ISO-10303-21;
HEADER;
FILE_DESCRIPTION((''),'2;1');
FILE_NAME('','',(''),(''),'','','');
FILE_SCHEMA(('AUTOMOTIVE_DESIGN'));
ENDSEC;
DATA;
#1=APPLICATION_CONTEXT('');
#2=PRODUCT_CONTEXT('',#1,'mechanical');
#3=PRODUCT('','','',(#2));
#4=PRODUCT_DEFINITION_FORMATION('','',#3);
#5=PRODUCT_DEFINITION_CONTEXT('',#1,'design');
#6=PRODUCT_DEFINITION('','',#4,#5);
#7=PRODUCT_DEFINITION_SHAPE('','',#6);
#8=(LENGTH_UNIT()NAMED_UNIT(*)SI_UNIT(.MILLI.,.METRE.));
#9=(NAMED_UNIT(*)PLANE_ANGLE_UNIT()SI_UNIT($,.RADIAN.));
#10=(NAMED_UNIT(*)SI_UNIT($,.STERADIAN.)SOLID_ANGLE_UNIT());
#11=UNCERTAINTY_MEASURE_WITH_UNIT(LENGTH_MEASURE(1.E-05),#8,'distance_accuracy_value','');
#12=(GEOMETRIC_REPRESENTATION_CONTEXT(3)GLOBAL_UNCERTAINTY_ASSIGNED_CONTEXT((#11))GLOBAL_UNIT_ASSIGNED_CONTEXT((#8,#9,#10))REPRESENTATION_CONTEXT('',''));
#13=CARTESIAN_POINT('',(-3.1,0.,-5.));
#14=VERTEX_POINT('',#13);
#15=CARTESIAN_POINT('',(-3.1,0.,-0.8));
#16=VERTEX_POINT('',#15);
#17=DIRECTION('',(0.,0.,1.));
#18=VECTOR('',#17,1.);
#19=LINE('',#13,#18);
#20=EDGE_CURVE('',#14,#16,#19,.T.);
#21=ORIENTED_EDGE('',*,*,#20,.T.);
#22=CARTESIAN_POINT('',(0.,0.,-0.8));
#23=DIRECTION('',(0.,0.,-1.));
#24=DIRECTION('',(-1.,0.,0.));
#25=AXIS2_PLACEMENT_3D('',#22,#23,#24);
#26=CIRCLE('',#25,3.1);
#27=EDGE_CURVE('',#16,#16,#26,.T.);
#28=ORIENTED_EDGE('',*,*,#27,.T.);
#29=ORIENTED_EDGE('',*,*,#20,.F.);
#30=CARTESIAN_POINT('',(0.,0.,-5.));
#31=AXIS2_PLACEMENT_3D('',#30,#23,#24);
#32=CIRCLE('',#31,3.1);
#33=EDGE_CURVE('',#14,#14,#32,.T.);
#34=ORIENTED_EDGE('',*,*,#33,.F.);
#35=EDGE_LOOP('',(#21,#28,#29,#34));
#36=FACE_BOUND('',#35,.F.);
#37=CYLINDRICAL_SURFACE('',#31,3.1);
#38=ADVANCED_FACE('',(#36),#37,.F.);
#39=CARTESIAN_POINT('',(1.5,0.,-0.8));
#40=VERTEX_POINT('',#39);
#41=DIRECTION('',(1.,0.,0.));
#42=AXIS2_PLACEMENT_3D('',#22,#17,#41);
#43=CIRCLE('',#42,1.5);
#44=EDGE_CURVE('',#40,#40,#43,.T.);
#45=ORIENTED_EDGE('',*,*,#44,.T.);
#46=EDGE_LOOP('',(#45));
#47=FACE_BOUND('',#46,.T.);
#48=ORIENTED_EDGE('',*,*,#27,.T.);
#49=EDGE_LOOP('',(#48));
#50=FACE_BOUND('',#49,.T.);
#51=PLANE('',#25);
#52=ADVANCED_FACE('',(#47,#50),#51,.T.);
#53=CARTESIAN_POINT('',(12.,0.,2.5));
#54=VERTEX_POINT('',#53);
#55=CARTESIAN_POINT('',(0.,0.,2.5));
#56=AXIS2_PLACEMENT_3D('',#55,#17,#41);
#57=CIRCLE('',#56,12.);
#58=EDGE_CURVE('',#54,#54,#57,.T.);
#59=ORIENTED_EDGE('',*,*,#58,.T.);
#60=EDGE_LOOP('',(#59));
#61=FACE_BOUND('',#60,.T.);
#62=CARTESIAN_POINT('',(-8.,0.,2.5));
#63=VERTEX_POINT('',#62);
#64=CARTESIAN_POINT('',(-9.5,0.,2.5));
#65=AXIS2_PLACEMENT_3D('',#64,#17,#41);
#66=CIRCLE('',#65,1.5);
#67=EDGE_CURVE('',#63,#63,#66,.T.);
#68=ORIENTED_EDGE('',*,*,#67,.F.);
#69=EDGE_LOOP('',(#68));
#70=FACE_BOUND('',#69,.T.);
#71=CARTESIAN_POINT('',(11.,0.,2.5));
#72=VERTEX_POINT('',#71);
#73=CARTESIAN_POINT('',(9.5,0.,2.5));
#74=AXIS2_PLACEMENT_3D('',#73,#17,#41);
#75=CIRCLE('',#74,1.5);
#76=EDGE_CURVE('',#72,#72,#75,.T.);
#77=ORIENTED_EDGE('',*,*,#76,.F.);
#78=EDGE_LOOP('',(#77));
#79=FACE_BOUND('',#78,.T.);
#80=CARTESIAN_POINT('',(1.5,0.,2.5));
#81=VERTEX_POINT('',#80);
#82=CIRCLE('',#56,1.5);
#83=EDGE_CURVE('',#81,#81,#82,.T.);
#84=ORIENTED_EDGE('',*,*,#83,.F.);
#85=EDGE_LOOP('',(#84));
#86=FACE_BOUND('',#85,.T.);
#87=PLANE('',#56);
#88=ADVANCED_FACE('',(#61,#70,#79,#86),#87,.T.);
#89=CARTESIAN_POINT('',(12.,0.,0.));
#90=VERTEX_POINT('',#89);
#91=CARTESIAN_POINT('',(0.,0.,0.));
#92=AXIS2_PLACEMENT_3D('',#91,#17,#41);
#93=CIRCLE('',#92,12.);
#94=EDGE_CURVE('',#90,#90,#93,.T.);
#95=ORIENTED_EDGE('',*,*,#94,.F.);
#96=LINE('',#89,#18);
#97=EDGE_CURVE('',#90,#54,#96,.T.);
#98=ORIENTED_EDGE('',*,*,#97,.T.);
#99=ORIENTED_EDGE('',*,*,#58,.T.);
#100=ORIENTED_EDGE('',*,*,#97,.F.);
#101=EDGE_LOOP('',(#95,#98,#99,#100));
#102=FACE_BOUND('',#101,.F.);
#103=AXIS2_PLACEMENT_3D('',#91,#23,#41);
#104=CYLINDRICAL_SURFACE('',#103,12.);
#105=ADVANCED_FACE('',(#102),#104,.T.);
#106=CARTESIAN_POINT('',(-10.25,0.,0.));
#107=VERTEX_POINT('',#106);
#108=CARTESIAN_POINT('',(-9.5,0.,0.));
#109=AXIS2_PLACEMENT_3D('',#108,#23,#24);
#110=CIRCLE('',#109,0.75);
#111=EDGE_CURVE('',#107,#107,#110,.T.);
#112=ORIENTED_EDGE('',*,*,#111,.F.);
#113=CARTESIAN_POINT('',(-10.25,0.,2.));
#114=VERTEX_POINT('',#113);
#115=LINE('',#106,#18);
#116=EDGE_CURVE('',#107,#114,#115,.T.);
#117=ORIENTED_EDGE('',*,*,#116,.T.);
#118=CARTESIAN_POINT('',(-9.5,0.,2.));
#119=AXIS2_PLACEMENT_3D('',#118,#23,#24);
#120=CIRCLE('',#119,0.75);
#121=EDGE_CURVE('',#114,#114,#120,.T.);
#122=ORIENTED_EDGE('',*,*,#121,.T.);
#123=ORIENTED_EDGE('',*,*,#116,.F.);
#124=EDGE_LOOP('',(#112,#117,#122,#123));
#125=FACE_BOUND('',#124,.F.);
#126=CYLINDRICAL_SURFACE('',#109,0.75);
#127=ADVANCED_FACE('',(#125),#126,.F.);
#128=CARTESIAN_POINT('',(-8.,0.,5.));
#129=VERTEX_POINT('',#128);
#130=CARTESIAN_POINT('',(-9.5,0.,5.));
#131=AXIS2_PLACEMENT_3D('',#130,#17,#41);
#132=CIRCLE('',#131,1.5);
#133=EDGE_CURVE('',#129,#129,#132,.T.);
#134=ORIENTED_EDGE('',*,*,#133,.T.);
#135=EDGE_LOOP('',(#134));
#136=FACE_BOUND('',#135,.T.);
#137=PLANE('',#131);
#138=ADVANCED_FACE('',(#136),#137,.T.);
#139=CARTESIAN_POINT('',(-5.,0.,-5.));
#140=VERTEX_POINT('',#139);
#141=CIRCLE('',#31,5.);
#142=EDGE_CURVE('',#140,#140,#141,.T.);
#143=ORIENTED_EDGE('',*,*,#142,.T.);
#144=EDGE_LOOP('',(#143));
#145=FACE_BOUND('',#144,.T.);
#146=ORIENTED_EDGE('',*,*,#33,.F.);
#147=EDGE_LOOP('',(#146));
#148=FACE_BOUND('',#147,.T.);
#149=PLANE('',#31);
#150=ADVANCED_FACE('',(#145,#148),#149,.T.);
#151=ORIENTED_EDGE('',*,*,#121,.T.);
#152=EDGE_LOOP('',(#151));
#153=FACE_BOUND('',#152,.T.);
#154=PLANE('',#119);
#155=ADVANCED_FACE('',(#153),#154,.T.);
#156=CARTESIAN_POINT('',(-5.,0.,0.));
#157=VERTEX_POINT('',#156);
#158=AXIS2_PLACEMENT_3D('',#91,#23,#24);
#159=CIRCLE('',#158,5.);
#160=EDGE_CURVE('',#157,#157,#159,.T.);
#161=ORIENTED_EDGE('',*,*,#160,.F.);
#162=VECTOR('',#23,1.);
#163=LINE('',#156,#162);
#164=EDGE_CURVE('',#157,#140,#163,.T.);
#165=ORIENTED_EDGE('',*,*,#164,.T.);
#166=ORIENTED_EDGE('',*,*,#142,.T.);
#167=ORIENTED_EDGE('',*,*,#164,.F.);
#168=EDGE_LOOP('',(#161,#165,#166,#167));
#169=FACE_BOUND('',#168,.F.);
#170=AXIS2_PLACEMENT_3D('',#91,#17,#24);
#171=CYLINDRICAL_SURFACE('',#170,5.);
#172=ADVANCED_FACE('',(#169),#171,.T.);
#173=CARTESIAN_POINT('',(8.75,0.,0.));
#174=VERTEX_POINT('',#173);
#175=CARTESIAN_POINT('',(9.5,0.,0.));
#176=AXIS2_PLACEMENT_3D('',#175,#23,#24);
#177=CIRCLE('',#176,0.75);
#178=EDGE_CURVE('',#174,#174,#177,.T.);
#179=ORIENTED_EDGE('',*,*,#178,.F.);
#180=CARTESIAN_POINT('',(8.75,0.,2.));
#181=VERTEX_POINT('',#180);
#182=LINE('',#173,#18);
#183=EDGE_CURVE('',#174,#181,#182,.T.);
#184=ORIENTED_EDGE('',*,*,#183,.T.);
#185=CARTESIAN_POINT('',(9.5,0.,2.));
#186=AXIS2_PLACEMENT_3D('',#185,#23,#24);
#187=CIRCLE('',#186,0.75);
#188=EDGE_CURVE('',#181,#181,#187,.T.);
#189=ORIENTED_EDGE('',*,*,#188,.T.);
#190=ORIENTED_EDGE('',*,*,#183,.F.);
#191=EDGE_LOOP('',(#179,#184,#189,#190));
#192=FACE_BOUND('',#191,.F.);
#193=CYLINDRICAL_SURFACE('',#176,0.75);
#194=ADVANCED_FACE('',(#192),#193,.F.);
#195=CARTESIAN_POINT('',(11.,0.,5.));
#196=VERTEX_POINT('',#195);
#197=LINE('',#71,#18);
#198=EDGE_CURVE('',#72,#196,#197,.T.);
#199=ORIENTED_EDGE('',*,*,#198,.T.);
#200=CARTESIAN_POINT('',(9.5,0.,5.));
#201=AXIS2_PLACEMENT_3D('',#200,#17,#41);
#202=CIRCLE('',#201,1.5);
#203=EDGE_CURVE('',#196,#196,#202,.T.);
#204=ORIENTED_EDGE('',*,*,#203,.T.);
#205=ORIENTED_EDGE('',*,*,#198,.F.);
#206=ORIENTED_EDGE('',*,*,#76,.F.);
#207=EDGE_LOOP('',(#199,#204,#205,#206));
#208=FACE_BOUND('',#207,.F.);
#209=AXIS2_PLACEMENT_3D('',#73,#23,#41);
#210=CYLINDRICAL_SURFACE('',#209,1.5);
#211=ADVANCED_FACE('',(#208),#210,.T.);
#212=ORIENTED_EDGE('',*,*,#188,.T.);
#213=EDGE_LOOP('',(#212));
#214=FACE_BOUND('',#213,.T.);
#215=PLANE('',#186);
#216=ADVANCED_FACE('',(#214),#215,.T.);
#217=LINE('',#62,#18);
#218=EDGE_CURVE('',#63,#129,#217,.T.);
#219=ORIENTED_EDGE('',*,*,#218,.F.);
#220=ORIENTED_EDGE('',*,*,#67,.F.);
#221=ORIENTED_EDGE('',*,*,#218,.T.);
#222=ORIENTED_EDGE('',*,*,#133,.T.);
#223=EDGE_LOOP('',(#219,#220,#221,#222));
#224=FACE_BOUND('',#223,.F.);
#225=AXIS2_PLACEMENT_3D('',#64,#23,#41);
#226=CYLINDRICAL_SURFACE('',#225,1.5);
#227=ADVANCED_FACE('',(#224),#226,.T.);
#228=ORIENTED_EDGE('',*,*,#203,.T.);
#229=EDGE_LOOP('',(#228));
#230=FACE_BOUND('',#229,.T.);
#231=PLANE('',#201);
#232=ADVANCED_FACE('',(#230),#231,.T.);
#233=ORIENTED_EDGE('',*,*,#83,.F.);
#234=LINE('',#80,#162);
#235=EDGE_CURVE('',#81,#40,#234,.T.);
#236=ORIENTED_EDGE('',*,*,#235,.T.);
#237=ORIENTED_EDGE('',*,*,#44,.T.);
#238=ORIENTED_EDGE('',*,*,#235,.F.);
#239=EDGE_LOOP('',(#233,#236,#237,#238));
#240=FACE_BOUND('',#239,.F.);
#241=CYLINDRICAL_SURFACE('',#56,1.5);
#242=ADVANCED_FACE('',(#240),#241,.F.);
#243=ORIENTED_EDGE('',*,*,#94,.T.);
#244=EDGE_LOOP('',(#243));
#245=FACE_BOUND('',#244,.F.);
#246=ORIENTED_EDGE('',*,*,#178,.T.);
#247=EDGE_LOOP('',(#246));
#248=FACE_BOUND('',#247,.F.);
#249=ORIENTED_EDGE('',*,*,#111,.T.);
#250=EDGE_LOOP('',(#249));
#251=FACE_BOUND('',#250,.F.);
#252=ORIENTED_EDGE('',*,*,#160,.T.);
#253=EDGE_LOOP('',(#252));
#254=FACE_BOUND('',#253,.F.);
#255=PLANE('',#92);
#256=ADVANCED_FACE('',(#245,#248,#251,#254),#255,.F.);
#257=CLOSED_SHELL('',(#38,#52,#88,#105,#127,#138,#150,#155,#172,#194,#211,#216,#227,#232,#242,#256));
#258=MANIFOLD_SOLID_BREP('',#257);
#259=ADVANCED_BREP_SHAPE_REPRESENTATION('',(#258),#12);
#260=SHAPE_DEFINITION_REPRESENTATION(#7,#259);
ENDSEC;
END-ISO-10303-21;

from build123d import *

# Parameters (mm, degrees)
CROQUIS1_R              = 12
SALIENTE_EXTRUIR1_DEPTH = 2.5
CROQUIS2_R              = 5
SALIENTE_EXTRUIR2_DEPTH = 5
CROQUIS3_R              = 3.1
CORTAR_EXTRUIR1_DEPTH   = 4.2
CROQUIS4_R              = 1.5
CORTAR_EXTRUIR2_DEPTH   = 4
CROQUIS5_R              = 1.5
SALIENTE_EXTRUIR3_DEPTH = 2.5
CROQUIS6_R              = 0.75
CORTAR_EXTRUIR3_DEPTH   = 2


with BuildPart() as part:
    # Croquis1 → Saliente-Extruir1 (new body)
    with BuildSketch(Plane.XY):
        Circle(CROQUIS1_R)
    extrude(amount=SALIENTE_EXTRUIR1_DEPTH)

    # Croquis2 → Saliente-Extruir2 (add)
    with BuildSketch(Plane(origin=(0, 0, 0), x_dir=(-1, 0, 0), z_dir=(0, 0, -1))):
        Circle(CROQUIS2_R)
    extrude(amount=SALIENTE_EXTRUIR2_DEPTH)

    # Croquis3 → Cortar-Extruir1 (cut)
    with BuildSketch(Plane(origin=(0, 0, -5), x_dir=(-1, 0, 0), z_dir=(0, 0, -1))):
        Circle(CROQUIS3_R)
    extrude(amount=-CORTAR_EXTRUIR1_DEPTH, mode=Mode.SUBTRACT)

    # Croquis4 → Cortar-Extruir2 (cut)
    with BuildSketch(Plane.XY.offset(2.5)):
        Circle(CROQUIS4_R)
    extrude(amount=-CORTAR_EXTRUIR2_DEPTH, mode=Mode.SUBTRACT)

    # Croquis5 → Saliente-Extruir3 (add)
    with BuildSketch(Plane.XY.offset(2.5)):
        with Locations((9.5, 0)):
            Circle(CROQUIS5_R)
        with Locations((-9.5, 0)):
            Circle(CROQUIS5_R)
    extrude(amount=SALIENTE_EXTRUIR3_DEPTH)

    # Croquis6 → Cortar-Extruir3 (cut)
    with BuildSketch(Plane(origin=(0, 0, 0), x_dir=(-1, 0, 0), z_dir=(0, 0, -1))):
        with Locations((-9.5, 0)):
            Circle(CROQUIS6_R)
        with Locations((9.5, 0)):
            Circle(CROQUIS6_R)
    extrude(amount=-CORTAR_EXTRUIR3_DEPTH, mode=Mode.SUBTRACT)


solid = part.part
